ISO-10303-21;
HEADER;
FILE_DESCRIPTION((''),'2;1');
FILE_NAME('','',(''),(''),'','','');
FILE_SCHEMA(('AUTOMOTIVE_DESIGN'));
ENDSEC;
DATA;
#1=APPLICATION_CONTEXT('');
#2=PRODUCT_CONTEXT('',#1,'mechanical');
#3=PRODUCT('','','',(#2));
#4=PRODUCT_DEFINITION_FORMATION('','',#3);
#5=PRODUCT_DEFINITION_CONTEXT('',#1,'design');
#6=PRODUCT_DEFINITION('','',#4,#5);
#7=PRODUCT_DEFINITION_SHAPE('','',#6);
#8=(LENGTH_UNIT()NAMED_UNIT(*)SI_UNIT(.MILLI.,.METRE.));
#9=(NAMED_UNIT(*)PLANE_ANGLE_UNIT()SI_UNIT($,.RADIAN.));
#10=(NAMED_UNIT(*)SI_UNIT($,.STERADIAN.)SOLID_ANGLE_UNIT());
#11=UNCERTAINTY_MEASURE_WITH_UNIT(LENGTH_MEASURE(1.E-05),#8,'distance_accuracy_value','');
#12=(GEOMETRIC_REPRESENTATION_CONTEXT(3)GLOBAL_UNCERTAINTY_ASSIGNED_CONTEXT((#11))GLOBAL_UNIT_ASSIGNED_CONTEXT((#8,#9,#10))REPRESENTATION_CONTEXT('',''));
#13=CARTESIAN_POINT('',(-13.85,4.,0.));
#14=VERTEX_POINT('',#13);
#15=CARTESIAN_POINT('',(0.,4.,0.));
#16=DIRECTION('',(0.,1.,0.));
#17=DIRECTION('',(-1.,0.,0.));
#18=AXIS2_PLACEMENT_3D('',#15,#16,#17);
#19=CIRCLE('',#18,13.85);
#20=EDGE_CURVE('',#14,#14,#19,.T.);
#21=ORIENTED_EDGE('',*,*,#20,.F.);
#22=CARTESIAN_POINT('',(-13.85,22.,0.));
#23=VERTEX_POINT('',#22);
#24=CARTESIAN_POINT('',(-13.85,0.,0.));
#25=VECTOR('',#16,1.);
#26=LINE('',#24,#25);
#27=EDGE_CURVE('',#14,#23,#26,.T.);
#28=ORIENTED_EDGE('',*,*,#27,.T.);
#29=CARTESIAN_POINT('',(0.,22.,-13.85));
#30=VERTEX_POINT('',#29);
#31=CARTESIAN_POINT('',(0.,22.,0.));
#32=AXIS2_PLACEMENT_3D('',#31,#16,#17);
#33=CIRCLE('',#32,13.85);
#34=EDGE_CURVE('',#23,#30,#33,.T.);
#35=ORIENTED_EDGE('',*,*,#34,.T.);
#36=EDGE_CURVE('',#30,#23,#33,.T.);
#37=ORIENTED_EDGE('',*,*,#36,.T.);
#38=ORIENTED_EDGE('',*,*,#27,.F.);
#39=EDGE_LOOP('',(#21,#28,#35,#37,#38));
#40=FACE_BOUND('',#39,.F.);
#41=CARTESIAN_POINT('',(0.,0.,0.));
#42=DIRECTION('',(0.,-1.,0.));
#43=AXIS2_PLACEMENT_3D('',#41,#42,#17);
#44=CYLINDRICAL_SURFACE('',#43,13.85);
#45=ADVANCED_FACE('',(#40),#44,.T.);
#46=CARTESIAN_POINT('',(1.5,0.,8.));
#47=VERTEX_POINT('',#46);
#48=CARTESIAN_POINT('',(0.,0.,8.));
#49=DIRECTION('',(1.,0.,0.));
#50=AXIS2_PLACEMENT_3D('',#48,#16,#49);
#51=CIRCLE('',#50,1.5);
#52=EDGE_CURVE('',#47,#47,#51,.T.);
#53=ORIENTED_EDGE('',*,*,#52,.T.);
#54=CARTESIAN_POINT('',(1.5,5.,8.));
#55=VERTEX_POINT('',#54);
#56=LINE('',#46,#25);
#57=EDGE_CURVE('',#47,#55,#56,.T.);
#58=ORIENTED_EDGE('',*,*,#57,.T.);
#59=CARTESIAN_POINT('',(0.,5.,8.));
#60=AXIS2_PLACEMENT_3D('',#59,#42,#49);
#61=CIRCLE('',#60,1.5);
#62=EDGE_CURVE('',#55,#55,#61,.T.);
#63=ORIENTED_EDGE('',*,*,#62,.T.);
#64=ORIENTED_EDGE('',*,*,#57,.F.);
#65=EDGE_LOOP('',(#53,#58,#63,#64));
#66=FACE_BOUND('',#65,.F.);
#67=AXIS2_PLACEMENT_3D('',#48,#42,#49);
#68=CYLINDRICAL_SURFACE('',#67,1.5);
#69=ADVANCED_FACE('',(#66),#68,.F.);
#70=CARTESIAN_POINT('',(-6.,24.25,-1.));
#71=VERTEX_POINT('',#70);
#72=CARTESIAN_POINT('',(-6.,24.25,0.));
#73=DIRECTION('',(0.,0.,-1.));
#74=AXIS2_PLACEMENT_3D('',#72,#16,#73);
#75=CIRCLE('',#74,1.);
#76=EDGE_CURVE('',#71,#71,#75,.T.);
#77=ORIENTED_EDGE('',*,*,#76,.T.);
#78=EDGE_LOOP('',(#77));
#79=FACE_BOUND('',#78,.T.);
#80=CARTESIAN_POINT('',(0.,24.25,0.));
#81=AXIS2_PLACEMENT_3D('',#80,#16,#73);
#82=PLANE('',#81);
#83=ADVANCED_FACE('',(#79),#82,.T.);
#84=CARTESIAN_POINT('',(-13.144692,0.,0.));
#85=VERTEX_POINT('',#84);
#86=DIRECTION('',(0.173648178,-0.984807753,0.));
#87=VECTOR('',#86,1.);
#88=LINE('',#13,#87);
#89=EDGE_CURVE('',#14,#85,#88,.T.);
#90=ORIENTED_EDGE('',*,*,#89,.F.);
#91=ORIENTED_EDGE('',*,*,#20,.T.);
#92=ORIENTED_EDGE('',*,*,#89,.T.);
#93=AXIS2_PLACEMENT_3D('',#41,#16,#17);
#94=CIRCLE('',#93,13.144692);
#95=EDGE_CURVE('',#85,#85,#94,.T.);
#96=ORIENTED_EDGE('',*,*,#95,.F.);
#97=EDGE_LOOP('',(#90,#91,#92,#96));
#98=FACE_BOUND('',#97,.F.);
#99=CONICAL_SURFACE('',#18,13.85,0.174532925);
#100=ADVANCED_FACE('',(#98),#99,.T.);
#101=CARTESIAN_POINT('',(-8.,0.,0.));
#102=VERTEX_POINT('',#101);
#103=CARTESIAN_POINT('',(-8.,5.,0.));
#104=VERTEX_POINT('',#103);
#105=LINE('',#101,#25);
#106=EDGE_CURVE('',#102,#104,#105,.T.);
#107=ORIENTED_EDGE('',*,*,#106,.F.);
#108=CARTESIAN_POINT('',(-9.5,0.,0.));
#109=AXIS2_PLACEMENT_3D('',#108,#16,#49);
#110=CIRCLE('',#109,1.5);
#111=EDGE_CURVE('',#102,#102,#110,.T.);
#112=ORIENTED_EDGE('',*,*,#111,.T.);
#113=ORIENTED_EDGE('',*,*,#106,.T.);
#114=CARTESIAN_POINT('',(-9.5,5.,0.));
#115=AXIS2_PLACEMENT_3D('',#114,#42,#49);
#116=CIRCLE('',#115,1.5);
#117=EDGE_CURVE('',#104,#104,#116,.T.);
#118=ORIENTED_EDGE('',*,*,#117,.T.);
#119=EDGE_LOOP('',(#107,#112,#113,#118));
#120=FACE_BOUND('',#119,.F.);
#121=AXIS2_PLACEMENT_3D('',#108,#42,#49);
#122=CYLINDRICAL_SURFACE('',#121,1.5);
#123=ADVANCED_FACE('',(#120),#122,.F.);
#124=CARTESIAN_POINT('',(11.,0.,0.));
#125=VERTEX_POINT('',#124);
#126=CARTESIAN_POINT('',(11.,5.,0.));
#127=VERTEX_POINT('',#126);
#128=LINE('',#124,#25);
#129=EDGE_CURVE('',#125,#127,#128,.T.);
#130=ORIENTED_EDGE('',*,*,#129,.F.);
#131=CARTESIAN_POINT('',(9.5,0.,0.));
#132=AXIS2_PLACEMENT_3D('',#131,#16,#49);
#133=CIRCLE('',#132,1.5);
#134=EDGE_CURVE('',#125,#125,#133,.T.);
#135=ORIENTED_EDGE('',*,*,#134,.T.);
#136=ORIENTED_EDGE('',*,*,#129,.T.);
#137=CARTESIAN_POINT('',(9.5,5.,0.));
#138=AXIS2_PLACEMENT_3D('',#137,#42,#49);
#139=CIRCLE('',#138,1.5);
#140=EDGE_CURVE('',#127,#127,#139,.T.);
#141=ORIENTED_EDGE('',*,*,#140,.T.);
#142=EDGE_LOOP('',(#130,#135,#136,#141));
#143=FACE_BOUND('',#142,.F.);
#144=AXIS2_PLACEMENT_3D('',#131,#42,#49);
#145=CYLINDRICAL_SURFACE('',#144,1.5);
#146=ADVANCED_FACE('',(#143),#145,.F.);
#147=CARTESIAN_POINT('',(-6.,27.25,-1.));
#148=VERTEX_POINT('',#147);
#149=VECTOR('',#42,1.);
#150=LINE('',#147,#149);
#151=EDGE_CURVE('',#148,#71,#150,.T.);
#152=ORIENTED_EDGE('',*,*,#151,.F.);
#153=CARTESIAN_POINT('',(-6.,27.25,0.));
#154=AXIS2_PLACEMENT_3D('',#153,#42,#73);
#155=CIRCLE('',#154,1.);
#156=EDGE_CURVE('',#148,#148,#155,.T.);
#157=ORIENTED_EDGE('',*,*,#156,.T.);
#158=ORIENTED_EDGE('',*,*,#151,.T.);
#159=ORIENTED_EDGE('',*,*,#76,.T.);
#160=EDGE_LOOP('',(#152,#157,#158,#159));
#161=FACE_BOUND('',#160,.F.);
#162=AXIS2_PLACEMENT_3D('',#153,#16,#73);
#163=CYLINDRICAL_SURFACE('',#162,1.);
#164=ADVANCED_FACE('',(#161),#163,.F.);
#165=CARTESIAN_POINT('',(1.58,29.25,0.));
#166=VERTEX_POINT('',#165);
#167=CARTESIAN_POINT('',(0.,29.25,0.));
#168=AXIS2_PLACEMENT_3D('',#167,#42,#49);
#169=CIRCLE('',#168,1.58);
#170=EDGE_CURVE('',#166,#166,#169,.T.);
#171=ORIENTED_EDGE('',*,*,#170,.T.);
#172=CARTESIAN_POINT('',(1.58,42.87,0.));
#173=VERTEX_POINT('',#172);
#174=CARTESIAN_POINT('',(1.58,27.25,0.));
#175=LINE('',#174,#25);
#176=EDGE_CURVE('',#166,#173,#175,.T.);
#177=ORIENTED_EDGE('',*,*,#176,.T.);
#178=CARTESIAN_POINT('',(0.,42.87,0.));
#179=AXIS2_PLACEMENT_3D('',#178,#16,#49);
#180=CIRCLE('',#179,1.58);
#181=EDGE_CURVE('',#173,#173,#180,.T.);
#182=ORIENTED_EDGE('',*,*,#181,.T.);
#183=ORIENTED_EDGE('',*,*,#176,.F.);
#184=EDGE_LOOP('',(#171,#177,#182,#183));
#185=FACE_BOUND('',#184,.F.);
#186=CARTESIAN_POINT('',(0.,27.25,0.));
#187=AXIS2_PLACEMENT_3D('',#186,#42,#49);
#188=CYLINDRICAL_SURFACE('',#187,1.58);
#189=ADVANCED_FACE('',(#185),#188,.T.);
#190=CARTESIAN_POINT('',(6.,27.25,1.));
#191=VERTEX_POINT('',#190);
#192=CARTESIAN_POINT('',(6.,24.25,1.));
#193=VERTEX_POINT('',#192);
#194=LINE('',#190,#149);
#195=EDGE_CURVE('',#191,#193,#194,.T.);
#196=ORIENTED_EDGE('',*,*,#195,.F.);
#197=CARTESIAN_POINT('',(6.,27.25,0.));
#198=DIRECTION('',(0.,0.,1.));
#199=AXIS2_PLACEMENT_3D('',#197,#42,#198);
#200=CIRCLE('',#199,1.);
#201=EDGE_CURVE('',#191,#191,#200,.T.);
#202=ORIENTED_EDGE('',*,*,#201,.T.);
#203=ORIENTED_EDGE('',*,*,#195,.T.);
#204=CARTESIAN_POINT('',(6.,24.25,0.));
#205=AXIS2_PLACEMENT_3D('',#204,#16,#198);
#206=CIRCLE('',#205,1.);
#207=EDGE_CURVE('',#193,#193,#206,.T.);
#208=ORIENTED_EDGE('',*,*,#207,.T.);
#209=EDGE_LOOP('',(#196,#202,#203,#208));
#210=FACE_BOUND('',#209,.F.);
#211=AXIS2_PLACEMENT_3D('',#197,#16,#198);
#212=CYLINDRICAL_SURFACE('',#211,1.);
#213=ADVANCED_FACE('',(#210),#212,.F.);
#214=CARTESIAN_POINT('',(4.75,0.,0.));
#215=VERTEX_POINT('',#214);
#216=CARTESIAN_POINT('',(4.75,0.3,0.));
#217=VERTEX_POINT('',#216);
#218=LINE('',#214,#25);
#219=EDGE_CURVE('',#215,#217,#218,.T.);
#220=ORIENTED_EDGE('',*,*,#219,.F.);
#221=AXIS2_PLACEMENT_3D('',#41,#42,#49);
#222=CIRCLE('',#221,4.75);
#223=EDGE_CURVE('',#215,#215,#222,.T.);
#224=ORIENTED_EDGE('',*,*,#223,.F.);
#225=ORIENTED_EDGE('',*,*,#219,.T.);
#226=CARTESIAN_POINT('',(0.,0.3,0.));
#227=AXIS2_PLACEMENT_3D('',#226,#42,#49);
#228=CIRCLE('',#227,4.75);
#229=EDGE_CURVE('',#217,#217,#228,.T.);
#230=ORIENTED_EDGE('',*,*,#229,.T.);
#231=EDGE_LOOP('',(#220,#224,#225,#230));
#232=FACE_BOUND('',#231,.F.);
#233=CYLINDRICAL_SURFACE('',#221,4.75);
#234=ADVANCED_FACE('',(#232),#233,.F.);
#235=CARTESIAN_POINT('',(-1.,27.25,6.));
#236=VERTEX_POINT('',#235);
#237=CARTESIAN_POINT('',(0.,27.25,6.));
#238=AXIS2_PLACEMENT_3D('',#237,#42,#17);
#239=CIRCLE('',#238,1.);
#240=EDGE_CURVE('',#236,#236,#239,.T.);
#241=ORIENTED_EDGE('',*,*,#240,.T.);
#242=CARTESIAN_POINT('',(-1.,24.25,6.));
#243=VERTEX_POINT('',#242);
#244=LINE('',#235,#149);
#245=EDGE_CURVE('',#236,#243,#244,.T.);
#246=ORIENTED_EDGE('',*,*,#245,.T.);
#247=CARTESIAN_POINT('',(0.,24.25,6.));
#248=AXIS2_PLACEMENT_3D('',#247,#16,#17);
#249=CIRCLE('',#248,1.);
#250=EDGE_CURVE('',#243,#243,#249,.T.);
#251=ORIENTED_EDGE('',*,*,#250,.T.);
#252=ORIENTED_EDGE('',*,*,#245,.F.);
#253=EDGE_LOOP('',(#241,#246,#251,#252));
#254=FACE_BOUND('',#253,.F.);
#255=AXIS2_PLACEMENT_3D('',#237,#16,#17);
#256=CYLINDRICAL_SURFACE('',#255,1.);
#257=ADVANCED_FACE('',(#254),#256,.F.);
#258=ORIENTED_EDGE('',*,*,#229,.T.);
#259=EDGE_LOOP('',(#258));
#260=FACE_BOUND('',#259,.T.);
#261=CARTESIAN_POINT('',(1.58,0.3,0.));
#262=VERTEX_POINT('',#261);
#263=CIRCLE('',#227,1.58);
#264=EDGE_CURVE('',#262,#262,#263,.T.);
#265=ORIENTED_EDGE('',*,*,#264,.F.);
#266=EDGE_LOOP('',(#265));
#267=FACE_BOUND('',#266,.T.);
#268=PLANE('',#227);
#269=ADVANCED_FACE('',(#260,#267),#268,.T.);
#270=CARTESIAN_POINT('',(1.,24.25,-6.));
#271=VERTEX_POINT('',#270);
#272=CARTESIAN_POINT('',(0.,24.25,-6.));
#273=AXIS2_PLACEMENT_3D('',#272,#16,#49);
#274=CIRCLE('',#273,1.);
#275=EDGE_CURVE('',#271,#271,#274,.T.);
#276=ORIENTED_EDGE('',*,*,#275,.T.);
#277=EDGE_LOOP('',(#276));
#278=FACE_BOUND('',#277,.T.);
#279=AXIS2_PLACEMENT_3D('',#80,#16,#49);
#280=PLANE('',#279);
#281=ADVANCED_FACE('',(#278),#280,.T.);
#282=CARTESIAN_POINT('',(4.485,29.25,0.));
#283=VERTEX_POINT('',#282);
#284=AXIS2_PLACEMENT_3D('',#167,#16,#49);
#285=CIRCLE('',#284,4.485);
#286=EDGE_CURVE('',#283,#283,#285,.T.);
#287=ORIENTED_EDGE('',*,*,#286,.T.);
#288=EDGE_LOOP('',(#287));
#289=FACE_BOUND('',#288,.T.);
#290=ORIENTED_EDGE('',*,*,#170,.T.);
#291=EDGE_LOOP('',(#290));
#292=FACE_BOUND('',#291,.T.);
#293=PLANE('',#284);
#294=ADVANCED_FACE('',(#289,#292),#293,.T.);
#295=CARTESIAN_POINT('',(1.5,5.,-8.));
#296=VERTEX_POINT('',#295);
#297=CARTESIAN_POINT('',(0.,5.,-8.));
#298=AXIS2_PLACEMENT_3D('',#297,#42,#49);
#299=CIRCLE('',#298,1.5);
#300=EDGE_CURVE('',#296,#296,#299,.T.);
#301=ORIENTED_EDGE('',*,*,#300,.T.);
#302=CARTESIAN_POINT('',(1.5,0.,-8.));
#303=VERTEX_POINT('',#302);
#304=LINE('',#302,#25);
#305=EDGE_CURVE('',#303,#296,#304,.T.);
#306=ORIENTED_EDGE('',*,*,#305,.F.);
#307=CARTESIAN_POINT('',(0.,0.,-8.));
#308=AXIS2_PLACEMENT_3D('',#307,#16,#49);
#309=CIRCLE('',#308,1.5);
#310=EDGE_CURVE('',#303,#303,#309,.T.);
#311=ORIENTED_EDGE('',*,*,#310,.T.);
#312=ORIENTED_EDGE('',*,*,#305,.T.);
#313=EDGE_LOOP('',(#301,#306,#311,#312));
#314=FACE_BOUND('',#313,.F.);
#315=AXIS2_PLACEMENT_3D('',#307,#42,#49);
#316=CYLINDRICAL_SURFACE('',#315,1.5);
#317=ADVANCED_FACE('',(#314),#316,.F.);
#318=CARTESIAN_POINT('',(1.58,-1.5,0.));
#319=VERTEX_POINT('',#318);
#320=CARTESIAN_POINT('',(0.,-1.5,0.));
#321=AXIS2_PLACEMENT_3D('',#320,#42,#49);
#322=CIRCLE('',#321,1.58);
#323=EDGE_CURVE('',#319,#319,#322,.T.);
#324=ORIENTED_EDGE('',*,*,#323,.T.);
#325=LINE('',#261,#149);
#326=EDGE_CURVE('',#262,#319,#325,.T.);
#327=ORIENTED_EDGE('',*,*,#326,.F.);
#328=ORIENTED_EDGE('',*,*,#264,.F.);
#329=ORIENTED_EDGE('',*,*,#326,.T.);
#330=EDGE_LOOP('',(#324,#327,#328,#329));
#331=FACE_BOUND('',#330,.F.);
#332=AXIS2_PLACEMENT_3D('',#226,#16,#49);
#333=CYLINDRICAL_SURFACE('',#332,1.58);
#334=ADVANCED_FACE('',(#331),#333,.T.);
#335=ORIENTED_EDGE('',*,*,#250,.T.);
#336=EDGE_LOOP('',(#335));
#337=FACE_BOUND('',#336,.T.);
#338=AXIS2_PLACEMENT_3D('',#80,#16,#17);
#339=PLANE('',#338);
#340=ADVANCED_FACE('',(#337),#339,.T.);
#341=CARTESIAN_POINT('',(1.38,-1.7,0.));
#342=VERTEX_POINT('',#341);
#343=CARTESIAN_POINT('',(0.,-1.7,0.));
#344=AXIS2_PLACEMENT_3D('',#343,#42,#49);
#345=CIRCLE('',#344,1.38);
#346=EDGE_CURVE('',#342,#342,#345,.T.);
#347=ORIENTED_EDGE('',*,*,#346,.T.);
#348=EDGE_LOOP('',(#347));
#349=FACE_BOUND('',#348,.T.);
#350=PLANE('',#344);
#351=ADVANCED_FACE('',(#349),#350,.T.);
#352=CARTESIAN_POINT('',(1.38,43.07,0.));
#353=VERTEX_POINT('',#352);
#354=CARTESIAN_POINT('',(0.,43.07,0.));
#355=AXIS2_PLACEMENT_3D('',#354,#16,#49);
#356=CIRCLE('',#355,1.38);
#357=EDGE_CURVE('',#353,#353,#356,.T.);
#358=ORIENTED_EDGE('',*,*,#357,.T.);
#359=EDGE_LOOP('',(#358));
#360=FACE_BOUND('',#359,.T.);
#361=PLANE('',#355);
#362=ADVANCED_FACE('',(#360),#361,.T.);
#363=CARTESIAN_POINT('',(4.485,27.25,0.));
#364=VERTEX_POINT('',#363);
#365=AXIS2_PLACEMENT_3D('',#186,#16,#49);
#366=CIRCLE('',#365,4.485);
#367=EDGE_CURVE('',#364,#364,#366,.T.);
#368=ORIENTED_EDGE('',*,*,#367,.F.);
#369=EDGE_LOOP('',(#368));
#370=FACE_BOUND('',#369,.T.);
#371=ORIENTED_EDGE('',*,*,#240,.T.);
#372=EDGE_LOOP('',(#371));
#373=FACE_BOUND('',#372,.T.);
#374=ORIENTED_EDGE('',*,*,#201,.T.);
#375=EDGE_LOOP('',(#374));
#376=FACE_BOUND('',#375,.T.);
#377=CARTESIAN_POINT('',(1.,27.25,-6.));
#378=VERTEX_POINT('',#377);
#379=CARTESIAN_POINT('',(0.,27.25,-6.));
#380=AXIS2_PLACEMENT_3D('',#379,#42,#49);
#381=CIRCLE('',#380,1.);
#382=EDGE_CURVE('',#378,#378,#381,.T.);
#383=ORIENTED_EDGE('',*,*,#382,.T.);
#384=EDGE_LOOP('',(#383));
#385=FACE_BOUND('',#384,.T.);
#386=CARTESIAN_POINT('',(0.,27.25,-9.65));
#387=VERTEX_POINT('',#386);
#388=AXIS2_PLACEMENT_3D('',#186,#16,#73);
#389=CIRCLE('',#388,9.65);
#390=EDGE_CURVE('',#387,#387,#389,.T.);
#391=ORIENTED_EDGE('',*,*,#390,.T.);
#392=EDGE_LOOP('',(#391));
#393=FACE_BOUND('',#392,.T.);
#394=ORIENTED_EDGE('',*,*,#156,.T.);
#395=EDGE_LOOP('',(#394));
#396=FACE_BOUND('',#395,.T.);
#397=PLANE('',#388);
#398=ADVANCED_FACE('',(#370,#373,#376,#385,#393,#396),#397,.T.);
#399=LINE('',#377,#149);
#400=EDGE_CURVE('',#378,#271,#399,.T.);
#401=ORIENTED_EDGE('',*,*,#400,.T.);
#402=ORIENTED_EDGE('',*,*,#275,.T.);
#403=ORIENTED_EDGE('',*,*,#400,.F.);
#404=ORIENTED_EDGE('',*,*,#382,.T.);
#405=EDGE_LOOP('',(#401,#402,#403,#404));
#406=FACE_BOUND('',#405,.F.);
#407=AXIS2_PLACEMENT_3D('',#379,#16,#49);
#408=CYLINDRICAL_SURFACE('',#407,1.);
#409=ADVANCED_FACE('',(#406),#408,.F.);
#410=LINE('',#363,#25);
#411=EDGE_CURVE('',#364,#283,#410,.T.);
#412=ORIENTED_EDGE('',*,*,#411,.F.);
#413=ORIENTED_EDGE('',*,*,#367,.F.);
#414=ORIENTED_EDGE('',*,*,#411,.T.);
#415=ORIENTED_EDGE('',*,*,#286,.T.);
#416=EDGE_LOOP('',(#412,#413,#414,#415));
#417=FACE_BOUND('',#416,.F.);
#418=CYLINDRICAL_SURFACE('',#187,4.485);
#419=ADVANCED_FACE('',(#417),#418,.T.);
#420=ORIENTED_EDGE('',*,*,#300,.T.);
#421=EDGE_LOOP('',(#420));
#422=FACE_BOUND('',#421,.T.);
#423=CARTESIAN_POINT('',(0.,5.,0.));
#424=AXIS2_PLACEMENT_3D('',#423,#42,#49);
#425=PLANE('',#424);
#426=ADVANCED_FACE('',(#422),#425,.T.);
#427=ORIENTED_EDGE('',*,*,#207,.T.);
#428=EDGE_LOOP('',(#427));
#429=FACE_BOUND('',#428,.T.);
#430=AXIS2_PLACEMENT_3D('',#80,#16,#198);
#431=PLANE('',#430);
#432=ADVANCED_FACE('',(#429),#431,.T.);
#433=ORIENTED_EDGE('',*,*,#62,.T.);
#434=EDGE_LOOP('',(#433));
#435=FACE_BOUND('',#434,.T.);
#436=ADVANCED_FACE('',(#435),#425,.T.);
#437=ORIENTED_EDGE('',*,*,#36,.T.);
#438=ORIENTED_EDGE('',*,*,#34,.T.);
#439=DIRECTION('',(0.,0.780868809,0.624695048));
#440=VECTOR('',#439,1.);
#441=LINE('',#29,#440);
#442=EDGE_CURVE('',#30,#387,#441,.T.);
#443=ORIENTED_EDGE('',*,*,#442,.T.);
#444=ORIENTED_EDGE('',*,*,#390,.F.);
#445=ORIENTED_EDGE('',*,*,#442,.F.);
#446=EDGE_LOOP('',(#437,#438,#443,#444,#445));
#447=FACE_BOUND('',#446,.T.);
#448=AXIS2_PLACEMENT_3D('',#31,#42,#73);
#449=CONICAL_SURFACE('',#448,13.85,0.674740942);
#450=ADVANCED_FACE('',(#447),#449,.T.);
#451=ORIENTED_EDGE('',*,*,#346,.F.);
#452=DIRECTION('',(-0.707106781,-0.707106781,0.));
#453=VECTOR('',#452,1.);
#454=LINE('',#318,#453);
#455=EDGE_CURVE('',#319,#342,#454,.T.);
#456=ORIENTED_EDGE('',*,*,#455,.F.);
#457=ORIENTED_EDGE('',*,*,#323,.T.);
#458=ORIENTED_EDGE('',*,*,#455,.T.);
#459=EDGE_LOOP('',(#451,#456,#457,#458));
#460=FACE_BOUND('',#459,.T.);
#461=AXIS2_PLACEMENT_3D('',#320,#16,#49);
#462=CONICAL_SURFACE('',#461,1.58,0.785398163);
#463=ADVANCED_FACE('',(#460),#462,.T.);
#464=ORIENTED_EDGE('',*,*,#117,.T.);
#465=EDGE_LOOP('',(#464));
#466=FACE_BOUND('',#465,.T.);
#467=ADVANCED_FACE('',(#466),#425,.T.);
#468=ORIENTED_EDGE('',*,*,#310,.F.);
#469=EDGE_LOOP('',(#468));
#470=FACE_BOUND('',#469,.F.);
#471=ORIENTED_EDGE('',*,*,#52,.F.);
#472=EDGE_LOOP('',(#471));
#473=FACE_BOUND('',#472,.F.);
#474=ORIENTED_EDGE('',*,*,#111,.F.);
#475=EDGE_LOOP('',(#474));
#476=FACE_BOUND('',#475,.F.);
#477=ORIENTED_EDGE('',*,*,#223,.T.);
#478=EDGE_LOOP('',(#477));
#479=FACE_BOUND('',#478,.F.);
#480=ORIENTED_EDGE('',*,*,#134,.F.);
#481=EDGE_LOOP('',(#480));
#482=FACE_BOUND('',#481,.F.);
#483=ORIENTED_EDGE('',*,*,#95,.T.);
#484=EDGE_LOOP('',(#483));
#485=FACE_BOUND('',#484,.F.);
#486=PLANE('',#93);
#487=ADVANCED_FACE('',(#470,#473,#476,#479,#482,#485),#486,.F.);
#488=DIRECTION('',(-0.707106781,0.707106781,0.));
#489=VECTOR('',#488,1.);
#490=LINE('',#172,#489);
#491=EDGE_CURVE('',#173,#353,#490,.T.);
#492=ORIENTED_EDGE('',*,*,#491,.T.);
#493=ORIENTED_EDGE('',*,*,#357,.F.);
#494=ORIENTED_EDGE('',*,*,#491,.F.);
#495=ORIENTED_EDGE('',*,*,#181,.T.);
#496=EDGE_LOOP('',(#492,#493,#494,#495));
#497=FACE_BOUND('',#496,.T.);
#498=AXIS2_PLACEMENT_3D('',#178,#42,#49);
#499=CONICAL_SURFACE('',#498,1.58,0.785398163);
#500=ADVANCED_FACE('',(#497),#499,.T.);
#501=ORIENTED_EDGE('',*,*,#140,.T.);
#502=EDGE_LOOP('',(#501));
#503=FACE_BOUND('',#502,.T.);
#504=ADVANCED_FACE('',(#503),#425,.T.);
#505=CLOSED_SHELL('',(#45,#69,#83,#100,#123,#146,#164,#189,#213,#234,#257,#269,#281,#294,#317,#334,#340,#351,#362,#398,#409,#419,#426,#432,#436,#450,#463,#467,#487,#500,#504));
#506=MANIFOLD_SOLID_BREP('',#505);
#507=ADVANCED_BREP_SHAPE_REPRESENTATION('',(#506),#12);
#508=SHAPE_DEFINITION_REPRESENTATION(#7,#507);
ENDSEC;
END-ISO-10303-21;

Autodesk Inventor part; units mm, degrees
ref_plane "YZ Plane" through (0, 0, 0) normal (1, 0, 0) x (0, 1, 0)
ref_plane "XZ Plane" through (0, 0, 0) normal (0, 1, 0) x (-1, 0, 0)
ref_plane "XY Plane" through (0, 0, 0) normal (0, 0, 1) x (1, 0, 0)
sketch "Sketch1" plane through (0, 0, 0) normal (0, 1, 0) x (-1, 0, 0)
  circle A0 centre (0, 0) radius 13.85
  dimension "d0" = 27.7
extrude "Extrusion1" add sketch "Sketch1" along normal blind 22
sketch "Sketch2" plane through (0, 0, 0) normal (1, 0, 0) x (0, 1, 0)
  line L0 (22, -13.85) -> (22, 13.85) projected
  line L1 (-4.4, 0) -> (26.4, 0) projected
  line L2 (22, -13.85) -> (27.25, -9.65)
  line L3 (27.25, -9.65) -> (27.25, 0)
  line L4 (22, 0) -> (22, -13.85)
  line L5 (27.25, 0) -> (22, 0)
  point P0 (0, 0)
  dimension "d3" = 5.25
  dimension "d6" = 9.65
revolve "Revolution1" add sketch "Sketch2" angle 360 about axis through (0, -10, 0) along (0, 1, 0)
chamfer "Chamfer1" distance 4 angle 10 1 edges at (13.85, 0, 0) measured on face at (1.6986, 14.6667, -13.7454)
sketch "Sketch3" plane through (0, 27.25, 0) normal (0, 1, 0) x (1, 0, 0)
  circle A0 centre (0, 0) radius 1.58
  dimension "d10" = 3.16
extrude "Extrusion2" add sketch "Sketch3" along normal blind 15.82
sketch "Sketch4" plane through (0, 27.25, 0) normal (0, 1, 0) x (1, 0, 0)
  circle A0 centre (0, 0) radius 4.485
  dimension "d13" = 8.97
extrude "Extrusion3" add sketch "Sketch4" along normal blind 2
sketch "Sketch5" plane through (0, 27.25, 0) normal (0, 1, 0) x (1, 0, 0)
  line L0 (0, 19.39) -> (0, -19.39) projected
  circle A0 centre (0, 6) radius 1
  point P0 (0, 0)
  dimension "d16" = 6
  dimension "d17" = 2
extrude "Extrusion4" cut sketch "Sketch5" against normal blind 3
thread "Thread1" size "M2x0.4" class "6H" standard "ANSI Metric M Profile" full length
pattern_circular "Circular Pattern1" count 4 over 360 about axis through (0, -10, 0) along (0, 1, 0) of "Extrusion4"
sketch "Sketch6" plane through (0, 0, 0) normal (0, -1, 0) x (1, 0, 0)
  line L0 (-19.39, 0) -> (19.39, 0) projected
  line L1 (0, -19.39) -> (0, 19.39) projected
  circle A0 centre (9.5, 0) radius 1.5
  circle A1 centre (0, 8) radius 1.5
  circle A2 centre (-9.5, 0) radius 1.5
  circle A3 centre (0, -8) radius 1.5
  point P0 (0, 0)
  dimension "d25" = 9.5
  dimension "d26" = 8
  dimension "d27" = 3
extrude "Extrusion5" cut sketch "Sketch6" against normal blind 5
thread "Thread2" size "M3x0.5" class "6H" standard "ANSI Metric M Profile" full length
thread "Thread3" size "M3x0.5" class "6H" standard "ANSI Metric M Profile" full length
thread "Thread4" size "M3x0.5" class "6H" standard "ANSI Metric M Profile" full length
thread "Thread5" size "M3x0.5" class "6H" standard "ANSI Metric M Profile" full length
sketch "Sketch7" plane through (0, 0, 0) normal (0, -1, 0) x (1, 0, 0)
  circle A0 centre (0, 0) radius 4.75
  dimension "d38" = 9.5
extrude "Extrusion6" cut sketch "Sketch7" against normal blind 0.3
sketch "Sketch8" plane through (0, 0.3, 0) normal (0, -1, 0) x (1, 0, 0)
  circle A0 centre (0, 0) radius 1.58 projected
extrude "Extrusion7" add sketch "Sketch8" along normal blind 2
chamfer "Chamfer2" distance 0.2 angle 45 2 edges at (-1.58, -1.7, 0) (-1.58, 43.07, 0)
properties part number "Brushless Motor"
